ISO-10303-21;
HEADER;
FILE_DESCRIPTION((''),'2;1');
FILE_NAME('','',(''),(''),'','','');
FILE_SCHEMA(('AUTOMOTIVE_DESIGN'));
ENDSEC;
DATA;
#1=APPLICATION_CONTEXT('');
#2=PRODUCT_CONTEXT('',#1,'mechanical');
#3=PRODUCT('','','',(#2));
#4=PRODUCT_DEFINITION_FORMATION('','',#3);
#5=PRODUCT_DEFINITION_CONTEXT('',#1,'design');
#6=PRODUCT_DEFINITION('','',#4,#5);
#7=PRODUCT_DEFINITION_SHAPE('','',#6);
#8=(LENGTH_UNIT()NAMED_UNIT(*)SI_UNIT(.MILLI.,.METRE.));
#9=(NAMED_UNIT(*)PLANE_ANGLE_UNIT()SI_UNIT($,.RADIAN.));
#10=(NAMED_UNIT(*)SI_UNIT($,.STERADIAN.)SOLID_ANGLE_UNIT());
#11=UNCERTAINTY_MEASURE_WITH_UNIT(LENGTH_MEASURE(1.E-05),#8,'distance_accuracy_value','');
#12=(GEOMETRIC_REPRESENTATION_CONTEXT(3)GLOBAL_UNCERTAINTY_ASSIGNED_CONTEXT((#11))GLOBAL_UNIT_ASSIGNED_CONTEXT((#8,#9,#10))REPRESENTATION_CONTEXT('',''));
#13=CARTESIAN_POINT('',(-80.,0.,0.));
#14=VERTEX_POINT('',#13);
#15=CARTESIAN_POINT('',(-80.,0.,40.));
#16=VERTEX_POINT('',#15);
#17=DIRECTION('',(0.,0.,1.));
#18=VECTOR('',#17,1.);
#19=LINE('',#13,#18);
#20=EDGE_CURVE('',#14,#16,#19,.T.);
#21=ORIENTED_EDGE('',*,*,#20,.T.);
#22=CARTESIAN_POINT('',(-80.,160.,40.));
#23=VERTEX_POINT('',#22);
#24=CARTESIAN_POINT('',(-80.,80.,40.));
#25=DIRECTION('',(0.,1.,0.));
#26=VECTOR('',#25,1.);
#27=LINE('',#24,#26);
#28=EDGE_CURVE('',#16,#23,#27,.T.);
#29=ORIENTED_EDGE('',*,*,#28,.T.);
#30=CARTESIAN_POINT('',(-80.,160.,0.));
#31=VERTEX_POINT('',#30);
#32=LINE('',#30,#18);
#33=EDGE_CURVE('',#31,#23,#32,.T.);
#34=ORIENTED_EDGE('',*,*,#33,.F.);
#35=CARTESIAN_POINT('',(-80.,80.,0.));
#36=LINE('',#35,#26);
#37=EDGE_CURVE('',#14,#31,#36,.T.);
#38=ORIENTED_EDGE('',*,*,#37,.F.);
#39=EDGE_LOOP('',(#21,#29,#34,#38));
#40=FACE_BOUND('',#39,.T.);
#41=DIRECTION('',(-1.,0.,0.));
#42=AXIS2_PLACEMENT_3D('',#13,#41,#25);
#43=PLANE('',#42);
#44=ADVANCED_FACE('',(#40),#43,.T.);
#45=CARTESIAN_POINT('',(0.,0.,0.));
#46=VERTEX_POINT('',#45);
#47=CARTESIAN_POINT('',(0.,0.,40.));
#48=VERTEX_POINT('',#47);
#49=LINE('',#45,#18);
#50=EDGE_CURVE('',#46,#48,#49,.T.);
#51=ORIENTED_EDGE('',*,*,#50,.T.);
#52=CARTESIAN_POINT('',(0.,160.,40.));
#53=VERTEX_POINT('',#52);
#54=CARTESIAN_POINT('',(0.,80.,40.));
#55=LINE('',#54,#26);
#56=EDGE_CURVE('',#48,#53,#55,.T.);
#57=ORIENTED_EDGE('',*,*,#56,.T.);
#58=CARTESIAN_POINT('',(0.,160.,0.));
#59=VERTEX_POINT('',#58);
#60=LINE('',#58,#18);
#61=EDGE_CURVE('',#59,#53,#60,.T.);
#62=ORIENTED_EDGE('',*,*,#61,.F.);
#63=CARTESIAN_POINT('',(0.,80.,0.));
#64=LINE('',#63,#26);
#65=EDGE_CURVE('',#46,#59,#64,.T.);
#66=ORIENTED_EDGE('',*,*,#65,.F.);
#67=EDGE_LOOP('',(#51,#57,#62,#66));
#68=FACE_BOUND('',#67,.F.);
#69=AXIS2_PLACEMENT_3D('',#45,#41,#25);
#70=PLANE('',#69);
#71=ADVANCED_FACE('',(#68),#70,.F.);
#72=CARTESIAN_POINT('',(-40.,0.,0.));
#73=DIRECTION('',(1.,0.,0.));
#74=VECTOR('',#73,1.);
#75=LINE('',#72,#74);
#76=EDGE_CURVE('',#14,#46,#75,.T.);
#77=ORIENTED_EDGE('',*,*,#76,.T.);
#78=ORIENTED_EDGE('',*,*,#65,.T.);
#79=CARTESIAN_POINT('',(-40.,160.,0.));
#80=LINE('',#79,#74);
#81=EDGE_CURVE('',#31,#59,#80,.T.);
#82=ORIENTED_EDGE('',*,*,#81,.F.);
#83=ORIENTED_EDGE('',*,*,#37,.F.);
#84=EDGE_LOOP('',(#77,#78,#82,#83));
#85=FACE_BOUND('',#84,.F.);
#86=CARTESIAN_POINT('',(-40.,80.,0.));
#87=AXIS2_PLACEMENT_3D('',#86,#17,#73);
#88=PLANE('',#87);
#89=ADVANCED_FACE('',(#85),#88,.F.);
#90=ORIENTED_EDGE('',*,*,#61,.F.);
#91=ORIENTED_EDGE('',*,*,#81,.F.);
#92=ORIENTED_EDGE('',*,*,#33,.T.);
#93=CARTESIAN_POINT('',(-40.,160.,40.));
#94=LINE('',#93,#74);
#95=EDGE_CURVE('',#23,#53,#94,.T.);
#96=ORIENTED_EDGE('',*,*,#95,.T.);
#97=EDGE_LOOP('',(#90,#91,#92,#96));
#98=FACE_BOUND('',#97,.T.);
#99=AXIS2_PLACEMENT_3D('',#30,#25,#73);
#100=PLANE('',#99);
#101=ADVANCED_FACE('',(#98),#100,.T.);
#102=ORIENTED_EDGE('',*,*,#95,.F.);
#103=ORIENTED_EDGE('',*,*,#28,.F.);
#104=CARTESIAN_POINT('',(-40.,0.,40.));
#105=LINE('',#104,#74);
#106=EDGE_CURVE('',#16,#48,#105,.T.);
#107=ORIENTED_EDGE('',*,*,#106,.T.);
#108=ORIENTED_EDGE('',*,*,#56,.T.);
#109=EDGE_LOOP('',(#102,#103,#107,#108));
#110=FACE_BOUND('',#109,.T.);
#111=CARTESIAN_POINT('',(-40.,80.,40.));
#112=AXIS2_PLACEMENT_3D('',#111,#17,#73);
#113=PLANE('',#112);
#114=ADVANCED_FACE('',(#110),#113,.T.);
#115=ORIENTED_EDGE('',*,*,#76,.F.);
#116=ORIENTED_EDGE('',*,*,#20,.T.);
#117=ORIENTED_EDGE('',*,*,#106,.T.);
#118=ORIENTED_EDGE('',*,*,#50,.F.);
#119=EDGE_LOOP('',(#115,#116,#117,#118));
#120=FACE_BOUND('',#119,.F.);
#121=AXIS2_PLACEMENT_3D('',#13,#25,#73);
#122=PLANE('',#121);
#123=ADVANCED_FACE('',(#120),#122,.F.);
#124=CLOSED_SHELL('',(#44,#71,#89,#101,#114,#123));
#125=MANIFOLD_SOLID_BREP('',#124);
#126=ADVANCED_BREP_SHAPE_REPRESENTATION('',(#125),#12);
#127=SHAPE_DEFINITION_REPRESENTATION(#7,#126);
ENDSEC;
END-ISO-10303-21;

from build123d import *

# Parameters (mm, degrees)
SKETCH_W  = 80
SKETCH_H  = 160
PAD_DEPTH = 40


with BuildPart() as part:
    # Sketch → Pad (new body)
    with BuildSketch(Plane.XY):
        with Locations((-40, 80)):
            Rectangle(SKETCH_W, SKETCH_H)
    extrude(amount=PAD_DEPTH)


solid = part.part
